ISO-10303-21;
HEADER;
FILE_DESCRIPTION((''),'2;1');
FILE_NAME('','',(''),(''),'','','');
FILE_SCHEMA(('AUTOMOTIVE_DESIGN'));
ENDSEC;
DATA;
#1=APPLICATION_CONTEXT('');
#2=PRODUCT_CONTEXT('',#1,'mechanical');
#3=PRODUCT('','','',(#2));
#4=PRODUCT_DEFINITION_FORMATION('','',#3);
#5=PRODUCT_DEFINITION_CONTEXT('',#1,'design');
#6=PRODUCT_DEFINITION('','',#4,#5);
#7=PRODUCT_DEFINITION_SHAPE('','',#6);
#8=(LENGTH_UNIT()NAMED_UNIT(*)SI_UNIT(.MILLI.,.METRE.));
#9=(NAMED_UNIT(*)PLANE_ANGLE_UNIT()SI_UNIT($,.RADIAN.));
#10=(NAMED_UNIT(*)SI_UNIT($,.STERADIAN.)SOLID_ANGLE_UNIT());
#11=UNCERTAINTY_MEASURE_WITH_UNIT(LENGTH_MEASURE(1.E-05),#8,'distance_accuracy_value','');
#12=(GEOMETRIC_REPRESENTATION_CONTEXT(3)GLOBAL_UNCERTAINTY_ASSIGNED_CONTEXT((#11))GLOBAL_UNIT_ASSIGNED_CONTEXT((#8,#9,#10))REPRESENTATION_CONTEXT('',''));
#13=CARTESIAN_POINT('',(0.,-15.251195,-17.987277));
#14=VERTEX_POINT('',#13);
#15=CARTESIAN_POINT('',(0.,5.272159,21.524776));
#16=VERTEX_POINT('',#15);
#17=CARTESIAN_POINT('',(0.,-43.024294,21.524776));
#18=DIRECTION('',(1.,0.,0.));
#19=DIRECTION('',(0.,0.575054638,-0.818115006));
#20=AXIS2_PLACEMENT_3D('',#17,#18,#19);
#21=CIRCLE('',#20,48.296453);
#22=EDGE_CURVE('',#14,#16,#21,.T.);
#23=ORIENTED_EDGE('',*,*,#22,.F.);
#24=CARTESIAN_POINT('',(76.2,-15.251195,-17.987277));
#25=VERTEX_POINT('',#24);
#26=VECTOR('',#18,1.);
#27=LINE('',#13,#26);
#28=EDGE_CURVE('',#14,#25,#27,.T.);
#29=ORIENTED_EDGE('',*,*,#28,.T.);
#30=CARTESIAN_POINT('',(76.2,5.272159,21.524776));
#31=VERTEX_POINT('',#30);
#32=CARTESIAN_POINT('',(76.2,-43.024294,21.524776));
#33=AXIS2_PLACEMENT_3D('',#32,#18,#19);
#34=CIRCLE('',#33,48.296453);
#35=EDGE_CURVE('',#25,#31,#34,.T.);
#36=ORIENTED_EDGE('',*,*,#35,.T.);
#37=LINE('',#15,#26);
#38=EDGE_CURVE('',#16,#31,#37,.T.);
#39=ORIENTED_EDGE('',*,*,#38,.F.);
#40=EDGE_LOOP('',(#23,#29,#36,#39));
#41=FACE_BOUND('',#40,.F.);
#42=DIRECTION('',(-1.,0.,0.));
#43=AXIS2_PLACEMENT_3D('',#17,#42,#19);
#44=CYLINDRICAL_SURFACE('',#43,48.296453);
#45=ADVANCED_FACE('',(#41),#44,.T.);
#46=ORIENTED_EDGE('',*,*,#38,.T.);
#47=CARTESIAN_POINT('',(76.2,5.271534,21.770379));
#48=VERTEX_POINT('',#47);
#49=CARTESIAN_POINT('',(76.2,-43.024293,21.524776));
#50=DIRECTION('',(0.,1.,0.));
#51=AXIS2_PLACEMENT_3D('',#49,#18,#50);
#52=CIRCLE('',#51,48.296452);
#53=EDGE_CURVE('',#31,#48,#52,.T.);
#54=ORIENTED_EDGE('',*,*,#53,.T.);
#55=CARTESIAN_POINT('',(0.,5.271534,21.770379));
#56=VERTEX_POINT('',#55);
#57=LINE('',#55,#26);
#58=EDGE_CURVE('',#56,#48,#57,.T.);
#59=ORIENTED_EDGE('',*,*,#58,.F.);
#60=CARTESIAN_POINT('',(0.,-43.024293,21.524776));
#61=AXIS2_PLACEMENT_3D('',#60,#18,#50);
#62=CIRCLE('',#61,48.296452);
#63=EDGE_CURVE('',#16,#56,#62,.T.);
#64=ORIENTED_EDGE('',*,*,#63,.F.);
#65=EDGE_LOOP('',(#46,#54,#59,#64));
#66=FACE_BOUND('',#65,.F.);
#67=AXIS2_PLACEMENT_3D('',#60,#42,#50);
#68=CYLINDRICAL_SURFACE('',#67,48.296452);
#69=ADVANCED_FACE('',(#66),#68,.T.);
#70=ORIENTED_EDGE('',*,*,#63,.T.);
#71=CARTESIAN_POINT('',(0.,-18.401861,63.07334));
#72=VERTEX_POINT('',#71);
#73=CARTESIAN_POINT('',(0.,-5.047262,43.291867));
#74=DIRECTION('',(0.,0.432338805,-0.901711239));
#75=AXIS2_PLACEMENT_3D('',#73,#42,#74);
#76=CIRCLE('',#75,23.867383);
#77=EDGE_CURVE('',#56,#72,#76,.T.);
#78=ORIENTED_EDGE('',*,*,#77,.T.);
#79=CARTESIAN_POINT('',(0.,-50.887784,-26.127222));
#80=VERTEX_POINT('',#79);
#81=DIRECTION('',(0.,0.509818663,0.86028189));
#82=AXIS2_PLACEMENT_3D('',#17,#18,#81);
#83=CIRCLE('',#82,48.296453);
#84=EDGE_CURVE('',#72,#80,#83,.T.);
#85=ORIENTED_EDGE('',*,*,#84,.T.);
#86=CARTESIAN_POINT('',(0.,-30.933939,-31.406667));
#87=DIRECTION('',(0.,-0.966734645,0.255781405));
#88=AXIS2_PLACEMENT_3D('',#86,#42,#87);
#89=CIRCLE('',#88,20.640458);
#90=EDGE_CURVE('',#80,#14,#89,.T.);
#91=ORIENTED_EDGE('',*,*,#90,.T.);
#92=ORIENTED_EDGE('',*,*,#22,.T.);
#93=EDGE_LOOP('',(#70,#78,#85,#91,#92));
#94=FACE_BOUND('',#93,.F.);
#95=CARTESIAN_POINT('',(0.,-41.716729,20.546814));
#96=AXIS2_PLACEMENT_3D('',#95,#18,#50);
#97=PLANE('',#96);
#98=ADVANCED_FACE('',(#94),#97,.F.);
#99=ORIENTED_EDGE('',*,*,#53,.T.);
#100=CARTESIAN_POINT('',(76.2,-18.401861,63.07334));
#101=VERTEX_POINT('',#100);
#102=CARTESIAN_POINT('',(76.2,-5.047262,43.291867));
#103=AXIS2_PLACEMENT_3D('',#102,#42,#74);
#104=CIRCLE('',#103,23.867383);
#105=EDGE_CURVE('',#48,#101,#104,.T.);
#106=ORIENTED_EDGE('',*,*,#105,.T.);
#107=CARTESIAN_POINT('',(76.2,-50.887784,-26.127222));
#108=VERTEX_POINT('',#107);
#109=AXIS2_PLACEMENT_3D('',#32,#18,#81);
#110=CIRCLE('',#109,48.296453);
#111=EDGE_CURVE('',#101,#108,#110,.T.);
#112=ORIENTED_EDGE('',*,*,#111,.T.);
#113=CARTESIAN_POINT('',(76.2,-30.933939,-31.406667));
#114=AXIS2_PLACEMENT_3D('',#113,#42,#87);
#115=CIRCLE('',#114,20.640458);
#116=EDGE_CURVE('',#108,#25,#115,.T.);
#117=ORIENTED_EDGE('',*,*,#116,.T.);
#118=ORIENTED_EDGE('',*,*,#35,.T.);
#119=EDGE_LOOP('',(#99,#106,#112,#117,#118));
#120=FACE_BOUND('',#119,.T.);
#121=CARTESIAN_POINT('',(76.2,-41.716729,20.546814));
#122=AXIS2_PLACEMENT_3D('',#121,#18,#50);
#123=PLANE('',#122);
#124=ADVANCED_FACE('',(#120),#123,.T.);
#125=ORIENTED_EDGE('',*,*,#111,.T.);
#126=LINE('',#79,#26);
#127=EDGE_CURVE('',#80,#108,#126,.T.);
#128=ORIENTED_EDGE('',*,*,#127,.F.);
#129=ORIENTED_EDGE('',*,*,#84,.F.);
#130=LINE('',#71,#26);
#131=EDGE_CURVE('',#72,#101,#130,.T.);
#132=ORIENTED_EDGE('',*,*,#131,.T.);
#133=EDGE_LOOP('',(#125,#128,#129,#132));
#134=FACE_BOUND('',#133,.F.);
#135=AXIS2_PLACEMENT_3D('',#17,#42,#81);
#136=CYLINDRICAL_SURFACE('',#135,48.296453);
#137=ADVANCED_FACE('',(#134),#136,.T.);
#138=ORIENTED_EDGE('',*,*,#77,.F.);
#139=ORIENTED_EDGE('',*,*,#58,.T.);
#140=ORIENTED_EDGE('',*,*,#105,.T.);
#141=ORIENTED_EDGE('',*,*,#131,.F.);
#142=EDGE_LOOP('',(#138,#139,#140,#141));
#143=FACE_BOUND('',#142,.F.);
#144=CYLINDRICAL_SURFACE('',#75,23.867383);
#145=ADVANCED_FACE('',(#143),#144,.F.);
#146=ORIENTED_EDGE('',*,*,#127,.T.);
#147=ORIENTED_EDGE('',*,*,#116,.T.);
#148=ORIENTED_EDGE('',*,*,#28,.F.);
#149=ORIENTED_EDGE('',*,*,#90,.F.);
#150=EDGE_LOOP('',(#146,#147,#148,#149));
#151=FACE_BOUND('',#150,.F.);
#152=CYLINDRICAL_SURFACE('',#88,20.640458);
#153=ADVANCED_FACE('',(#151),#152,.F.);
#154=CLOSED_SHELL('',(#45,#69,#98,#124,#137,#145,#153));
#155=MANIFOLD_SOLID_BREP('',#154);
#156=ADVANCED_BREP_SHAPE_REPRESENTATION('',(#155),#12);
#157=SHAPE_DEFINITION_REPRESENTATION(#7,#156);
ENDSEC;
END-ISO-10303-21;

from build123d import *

# Parameters (mm, degrees)
F1_DEPTH = 76.2


with BuildPart() as f1:
    # F0 (on Right) → F1 (new body)
    with BuildSketch(Plane.YZ):
        with BuildLine():
            ThreePointArc((-50.8877843666, -26.1272218461), (-35.5301604305, -11.2844595025), (-15.2511948734, -17.9872770357))
            ThreePointArc((-15.2511948734, -17.9872770357), (-0.1647004468, -0.7373577806), (5.2721587586, 21.5247757733))
            ThreePointArc((5.2721587586, 21.5247757733), (5.2720026358, 21.6475777712), (5.2715342684, 21.7703789752))
            ThreePointArc((5.2715342684, 21.7703789752), (-25.7544503942, 31.4232390217), (-18.4018610728, 63.0733395213))
            ThreePointArc((-18.4018610728, 63.0733395213), (-88.4049130397, 38.0519285625), (-50.8877843666, -26.1272218461))
        make_face()
    extrude(amount=F1_DEPTH)


solid = f1.part
